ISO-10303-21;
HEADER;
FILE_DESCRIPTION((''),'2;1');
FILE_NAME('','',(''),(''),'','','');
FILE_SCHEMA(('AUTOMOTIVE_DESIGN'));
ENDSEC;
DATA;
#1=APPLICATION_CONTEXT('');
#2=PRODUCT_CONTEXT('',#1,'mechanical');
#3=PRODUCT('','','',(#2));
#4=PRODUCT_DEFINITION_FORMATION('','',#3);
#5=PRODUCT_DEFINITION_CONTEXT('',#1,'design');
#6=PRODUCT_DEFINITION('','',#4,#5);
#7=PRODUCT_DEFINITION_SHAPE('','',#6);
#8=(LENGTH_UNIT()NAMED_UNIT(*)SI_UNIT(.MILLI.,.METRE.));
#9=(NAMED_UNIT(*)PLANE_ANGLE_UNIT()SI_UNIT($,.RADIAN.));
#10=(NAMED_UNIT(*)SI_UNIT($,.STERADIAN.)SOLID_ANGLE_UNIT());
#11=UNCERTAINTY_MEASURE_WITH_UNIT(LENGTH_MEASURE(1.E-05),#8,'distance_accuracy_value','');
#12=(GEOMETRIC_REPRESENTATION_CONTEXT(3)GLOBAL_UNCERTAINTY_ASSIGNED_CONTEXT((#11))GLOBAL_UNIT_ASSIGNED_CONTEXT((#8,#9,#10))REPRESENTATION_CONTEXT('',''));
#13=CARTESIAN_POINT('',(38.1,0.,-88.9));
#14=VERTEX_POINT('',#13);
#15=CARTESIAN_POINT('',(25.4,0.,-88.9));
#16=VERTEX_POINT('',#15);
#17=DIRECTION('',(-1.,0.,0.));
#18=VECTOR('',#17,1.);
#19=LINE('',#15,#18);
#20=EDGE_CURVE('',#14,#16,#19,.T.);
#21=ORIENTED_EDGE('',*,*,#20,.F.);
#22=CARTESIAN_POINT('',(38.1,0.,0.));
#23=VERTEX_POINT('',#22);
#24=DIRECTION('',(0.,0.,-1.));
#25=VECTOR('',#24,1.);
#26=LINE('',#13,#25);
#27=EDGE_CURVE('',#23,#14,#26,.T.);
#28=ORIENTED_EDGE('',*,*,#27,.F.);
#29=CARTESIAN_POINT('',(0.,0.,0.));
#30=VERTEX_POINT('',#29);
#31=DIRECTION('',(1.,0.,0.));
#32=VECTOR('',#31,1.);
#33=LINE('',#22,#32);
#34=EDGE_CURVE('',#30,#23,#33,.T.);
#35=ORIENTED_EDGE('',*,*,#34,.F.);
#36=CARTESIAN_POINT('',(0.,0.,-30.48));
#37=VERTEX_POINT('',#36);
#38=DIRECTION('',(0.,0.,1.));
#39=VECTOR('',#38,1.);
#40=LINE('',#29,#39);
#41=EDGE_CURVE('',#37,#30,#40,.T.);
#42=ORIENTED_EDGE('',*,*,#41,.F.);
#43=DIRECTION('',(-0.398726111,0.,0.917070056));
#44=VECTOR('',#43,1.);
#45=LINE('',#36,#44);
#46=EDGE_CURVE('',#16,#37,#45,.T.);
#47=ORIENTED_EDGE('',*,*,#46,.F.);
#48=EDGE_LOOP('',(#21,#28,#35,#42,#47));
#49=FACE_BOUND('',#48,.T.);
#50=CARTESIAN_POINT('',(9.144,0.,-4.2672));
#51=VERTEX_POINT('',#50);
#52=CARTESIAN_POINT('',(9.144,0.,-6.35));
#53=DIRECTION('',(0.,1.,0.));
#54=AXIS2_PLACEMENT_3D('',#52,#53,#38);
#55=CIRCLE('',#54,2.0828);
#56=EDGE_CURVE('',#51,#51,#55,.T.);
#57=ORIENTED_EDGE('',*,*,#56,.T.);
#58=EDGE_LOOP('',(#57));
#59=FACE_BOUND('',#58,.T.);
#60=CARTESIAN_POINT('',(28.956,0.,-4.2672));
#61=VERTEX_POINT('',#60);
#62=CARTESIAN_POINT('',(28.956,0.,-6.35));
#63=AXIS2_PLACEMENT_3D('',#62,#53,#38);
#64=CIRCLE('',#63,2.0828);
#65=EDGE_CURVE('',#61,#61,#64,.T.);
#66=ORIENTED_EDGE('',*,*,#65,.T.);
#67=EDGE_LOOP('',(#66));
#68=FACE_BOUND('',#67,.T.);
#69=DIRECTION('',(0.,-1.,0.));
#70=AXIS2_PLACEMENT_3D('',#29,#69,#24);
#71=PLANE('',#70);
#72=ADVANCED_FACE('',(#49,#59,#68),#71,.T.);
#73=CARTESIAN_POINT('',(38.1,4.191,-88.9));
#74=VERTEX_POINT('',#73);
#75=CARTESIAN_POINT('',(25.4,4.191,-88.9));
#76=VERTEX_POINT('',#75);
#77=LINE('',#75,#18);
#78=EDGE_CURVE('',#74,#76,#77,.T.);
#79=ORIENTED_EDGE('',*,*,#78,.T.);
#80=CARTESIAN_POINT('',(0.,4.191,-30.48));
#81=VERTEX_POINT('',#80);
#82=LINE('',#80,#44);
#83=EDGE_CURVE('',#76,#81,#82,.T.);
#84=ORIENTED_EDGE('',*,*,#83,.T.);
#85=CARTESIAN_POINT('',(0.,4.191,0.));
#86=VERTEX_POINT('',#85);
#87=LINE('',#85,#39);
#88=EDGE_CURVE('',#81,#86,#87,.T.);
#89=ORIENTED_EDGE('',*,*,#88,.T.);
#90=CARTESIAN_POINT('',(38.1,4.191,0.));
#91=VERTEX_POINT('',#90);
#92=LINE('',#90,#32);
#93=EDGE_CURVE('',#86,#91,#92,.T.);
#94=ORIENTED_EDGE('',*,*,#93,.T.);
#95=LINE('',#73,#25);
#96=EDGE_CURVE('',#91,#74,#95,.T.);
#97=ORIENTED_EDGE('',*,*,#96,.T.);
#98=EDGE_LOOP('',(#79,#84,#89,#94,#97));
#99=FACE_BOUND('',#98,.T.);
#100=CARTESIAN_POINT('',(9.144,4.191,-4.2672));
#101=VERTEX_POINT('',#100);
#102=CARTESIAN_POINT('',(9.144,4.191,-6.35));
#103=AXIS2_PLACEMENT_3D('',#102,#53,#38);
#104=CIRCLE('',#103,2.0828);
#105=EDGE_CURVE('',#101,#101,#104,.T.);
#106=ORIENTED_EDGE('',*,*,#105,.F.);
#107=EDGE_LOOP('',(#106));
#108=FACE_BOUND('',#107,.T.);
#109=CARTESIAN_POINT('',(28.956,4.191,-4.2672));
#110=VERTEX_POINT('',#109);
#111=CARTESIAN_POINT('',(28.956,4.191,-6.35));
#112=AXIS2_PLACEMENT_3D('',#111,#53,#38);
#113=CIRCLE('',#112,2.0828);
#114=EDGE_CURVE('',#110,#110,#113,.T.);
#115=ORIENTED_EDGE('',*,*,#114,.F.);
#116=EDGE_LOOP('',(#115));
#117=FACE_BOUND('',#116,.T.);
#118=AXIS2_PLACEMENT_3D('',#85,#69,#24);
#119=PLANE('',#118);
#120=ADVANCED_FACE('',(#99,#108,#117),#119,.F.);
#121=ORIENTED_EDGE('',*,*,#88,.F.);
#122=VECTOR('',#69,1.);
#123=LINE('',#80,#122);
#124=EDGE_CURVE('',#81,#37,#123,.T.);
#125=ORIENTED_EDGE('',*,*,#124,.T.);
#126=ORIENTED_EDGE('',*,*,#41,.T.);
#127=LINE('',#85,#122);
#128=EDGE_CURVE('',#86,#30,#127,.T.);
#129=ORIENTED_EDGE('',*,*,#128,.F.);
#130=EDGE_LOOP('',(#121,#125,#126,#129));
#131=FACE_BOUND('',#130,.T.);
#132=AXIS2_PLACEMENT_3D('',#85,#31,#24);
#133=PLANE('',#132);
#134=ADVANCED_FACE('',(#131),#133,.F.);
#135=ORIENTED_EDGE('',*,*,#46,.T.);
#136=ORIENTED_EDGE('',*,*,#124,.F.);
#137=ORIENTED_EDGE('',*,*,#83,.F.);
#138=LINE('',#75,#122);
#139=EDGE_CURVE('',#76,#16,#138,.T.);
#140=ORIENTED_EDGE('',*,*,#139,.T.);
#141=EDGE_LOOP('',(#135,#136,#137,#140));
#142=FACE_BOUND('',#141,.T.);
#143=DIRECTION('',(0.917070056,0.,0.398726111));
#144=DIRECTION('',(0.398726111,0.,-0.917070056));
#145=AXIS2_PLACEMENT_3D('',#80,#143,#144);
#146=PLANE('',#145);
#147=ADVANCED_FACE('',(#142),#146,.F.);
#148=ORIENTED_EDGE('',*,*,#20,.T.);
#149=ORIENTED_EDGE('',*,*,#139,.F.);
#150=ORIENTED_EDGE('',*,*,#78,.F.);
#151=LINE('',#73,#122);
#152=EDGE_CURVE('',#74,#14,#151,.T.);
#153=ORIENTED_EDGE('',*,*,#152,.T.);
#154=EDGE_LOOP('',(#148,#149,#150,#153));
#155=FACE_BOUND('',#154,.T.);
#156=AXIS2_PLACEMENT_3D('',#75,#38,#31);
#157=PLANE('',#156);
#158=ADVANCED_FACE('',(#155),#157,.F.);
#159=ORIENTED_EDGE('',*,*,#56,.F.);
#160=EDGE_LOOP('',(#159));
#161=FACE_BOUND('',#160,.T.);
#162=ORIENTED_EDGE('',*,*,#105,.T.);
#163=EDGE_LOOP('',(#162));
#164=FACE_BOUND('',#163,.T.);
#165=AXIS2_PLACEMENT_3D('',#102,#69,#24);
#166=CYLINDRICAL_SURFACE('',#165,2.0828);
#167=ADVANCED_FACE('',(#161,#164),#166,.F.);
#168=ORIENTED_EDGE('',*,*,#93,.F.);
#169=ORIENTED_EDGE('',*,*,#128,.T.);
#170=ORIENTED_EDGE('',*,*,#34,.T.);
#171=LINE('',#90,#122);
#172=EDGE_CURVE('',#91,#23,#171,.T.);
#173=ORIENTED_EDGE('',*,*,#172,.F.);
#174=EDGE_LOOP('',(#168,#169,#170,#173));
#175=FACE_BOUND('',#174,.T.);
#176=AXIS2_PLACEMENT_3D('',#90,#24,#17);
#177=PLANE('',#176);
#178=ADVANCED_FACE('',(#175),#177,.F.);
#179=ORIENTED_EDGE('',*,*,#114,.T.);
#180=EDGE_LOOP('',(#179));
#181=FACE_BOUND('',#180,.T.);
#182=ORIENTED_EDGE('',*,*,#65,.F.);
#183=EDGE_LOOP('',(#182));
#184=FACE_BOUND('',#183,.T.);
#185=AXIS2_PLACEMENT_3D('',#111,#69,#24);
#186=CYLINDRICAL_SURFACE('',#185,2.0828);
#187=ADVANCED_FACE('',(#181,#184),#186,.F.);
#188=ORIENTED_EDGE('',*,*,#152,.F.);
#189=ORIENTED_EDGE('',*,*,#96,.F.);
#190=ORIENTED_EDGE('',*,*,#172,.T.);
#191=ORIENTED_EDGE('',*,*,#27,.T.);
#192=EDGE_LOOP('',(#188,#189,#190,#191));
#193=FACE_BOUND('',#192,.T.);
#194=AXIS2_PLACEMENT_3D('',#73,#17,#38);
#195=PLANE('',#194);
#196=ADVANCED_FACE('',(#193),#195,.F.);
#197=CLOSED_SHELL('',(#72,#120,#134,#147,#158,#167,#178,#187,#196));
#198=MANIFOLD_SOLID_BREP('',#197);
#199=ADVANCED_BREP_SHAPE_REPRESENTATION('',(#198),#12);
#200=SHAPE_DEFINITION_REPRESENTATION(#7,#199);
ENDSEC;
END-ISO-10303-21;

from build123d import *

# Parameters (mm, degrees)
SKETCH2_R           = 2.0828
BOSS_EXTRUDE1_DEPTH = 4.191


with BuildPart() as part:
    # Sketch2 → Boss-Extrude1 (new body)
    with BuildSketch(Plane(origin=(0, 0, 0), x_dir=(1, 0, 0), z_dir=(0, 1, 0))):
        Polygon((0, 0), (0, 30.48), (25.4, 88.9), (38.1, 88.9), (38.1, 0), align=None)
        with Locations((9.144, 6.35)):
            Circle(SKETCH2_R, mode=Mode.SUBTRACT)
        with Locations((28.956, 6.35)):
            Circle(SKETCH2_R, mode=Mode.SUBTRACT)
    extrude(amount=BOSS_EXTRUDE1_DEPTH)


solid = part.part
